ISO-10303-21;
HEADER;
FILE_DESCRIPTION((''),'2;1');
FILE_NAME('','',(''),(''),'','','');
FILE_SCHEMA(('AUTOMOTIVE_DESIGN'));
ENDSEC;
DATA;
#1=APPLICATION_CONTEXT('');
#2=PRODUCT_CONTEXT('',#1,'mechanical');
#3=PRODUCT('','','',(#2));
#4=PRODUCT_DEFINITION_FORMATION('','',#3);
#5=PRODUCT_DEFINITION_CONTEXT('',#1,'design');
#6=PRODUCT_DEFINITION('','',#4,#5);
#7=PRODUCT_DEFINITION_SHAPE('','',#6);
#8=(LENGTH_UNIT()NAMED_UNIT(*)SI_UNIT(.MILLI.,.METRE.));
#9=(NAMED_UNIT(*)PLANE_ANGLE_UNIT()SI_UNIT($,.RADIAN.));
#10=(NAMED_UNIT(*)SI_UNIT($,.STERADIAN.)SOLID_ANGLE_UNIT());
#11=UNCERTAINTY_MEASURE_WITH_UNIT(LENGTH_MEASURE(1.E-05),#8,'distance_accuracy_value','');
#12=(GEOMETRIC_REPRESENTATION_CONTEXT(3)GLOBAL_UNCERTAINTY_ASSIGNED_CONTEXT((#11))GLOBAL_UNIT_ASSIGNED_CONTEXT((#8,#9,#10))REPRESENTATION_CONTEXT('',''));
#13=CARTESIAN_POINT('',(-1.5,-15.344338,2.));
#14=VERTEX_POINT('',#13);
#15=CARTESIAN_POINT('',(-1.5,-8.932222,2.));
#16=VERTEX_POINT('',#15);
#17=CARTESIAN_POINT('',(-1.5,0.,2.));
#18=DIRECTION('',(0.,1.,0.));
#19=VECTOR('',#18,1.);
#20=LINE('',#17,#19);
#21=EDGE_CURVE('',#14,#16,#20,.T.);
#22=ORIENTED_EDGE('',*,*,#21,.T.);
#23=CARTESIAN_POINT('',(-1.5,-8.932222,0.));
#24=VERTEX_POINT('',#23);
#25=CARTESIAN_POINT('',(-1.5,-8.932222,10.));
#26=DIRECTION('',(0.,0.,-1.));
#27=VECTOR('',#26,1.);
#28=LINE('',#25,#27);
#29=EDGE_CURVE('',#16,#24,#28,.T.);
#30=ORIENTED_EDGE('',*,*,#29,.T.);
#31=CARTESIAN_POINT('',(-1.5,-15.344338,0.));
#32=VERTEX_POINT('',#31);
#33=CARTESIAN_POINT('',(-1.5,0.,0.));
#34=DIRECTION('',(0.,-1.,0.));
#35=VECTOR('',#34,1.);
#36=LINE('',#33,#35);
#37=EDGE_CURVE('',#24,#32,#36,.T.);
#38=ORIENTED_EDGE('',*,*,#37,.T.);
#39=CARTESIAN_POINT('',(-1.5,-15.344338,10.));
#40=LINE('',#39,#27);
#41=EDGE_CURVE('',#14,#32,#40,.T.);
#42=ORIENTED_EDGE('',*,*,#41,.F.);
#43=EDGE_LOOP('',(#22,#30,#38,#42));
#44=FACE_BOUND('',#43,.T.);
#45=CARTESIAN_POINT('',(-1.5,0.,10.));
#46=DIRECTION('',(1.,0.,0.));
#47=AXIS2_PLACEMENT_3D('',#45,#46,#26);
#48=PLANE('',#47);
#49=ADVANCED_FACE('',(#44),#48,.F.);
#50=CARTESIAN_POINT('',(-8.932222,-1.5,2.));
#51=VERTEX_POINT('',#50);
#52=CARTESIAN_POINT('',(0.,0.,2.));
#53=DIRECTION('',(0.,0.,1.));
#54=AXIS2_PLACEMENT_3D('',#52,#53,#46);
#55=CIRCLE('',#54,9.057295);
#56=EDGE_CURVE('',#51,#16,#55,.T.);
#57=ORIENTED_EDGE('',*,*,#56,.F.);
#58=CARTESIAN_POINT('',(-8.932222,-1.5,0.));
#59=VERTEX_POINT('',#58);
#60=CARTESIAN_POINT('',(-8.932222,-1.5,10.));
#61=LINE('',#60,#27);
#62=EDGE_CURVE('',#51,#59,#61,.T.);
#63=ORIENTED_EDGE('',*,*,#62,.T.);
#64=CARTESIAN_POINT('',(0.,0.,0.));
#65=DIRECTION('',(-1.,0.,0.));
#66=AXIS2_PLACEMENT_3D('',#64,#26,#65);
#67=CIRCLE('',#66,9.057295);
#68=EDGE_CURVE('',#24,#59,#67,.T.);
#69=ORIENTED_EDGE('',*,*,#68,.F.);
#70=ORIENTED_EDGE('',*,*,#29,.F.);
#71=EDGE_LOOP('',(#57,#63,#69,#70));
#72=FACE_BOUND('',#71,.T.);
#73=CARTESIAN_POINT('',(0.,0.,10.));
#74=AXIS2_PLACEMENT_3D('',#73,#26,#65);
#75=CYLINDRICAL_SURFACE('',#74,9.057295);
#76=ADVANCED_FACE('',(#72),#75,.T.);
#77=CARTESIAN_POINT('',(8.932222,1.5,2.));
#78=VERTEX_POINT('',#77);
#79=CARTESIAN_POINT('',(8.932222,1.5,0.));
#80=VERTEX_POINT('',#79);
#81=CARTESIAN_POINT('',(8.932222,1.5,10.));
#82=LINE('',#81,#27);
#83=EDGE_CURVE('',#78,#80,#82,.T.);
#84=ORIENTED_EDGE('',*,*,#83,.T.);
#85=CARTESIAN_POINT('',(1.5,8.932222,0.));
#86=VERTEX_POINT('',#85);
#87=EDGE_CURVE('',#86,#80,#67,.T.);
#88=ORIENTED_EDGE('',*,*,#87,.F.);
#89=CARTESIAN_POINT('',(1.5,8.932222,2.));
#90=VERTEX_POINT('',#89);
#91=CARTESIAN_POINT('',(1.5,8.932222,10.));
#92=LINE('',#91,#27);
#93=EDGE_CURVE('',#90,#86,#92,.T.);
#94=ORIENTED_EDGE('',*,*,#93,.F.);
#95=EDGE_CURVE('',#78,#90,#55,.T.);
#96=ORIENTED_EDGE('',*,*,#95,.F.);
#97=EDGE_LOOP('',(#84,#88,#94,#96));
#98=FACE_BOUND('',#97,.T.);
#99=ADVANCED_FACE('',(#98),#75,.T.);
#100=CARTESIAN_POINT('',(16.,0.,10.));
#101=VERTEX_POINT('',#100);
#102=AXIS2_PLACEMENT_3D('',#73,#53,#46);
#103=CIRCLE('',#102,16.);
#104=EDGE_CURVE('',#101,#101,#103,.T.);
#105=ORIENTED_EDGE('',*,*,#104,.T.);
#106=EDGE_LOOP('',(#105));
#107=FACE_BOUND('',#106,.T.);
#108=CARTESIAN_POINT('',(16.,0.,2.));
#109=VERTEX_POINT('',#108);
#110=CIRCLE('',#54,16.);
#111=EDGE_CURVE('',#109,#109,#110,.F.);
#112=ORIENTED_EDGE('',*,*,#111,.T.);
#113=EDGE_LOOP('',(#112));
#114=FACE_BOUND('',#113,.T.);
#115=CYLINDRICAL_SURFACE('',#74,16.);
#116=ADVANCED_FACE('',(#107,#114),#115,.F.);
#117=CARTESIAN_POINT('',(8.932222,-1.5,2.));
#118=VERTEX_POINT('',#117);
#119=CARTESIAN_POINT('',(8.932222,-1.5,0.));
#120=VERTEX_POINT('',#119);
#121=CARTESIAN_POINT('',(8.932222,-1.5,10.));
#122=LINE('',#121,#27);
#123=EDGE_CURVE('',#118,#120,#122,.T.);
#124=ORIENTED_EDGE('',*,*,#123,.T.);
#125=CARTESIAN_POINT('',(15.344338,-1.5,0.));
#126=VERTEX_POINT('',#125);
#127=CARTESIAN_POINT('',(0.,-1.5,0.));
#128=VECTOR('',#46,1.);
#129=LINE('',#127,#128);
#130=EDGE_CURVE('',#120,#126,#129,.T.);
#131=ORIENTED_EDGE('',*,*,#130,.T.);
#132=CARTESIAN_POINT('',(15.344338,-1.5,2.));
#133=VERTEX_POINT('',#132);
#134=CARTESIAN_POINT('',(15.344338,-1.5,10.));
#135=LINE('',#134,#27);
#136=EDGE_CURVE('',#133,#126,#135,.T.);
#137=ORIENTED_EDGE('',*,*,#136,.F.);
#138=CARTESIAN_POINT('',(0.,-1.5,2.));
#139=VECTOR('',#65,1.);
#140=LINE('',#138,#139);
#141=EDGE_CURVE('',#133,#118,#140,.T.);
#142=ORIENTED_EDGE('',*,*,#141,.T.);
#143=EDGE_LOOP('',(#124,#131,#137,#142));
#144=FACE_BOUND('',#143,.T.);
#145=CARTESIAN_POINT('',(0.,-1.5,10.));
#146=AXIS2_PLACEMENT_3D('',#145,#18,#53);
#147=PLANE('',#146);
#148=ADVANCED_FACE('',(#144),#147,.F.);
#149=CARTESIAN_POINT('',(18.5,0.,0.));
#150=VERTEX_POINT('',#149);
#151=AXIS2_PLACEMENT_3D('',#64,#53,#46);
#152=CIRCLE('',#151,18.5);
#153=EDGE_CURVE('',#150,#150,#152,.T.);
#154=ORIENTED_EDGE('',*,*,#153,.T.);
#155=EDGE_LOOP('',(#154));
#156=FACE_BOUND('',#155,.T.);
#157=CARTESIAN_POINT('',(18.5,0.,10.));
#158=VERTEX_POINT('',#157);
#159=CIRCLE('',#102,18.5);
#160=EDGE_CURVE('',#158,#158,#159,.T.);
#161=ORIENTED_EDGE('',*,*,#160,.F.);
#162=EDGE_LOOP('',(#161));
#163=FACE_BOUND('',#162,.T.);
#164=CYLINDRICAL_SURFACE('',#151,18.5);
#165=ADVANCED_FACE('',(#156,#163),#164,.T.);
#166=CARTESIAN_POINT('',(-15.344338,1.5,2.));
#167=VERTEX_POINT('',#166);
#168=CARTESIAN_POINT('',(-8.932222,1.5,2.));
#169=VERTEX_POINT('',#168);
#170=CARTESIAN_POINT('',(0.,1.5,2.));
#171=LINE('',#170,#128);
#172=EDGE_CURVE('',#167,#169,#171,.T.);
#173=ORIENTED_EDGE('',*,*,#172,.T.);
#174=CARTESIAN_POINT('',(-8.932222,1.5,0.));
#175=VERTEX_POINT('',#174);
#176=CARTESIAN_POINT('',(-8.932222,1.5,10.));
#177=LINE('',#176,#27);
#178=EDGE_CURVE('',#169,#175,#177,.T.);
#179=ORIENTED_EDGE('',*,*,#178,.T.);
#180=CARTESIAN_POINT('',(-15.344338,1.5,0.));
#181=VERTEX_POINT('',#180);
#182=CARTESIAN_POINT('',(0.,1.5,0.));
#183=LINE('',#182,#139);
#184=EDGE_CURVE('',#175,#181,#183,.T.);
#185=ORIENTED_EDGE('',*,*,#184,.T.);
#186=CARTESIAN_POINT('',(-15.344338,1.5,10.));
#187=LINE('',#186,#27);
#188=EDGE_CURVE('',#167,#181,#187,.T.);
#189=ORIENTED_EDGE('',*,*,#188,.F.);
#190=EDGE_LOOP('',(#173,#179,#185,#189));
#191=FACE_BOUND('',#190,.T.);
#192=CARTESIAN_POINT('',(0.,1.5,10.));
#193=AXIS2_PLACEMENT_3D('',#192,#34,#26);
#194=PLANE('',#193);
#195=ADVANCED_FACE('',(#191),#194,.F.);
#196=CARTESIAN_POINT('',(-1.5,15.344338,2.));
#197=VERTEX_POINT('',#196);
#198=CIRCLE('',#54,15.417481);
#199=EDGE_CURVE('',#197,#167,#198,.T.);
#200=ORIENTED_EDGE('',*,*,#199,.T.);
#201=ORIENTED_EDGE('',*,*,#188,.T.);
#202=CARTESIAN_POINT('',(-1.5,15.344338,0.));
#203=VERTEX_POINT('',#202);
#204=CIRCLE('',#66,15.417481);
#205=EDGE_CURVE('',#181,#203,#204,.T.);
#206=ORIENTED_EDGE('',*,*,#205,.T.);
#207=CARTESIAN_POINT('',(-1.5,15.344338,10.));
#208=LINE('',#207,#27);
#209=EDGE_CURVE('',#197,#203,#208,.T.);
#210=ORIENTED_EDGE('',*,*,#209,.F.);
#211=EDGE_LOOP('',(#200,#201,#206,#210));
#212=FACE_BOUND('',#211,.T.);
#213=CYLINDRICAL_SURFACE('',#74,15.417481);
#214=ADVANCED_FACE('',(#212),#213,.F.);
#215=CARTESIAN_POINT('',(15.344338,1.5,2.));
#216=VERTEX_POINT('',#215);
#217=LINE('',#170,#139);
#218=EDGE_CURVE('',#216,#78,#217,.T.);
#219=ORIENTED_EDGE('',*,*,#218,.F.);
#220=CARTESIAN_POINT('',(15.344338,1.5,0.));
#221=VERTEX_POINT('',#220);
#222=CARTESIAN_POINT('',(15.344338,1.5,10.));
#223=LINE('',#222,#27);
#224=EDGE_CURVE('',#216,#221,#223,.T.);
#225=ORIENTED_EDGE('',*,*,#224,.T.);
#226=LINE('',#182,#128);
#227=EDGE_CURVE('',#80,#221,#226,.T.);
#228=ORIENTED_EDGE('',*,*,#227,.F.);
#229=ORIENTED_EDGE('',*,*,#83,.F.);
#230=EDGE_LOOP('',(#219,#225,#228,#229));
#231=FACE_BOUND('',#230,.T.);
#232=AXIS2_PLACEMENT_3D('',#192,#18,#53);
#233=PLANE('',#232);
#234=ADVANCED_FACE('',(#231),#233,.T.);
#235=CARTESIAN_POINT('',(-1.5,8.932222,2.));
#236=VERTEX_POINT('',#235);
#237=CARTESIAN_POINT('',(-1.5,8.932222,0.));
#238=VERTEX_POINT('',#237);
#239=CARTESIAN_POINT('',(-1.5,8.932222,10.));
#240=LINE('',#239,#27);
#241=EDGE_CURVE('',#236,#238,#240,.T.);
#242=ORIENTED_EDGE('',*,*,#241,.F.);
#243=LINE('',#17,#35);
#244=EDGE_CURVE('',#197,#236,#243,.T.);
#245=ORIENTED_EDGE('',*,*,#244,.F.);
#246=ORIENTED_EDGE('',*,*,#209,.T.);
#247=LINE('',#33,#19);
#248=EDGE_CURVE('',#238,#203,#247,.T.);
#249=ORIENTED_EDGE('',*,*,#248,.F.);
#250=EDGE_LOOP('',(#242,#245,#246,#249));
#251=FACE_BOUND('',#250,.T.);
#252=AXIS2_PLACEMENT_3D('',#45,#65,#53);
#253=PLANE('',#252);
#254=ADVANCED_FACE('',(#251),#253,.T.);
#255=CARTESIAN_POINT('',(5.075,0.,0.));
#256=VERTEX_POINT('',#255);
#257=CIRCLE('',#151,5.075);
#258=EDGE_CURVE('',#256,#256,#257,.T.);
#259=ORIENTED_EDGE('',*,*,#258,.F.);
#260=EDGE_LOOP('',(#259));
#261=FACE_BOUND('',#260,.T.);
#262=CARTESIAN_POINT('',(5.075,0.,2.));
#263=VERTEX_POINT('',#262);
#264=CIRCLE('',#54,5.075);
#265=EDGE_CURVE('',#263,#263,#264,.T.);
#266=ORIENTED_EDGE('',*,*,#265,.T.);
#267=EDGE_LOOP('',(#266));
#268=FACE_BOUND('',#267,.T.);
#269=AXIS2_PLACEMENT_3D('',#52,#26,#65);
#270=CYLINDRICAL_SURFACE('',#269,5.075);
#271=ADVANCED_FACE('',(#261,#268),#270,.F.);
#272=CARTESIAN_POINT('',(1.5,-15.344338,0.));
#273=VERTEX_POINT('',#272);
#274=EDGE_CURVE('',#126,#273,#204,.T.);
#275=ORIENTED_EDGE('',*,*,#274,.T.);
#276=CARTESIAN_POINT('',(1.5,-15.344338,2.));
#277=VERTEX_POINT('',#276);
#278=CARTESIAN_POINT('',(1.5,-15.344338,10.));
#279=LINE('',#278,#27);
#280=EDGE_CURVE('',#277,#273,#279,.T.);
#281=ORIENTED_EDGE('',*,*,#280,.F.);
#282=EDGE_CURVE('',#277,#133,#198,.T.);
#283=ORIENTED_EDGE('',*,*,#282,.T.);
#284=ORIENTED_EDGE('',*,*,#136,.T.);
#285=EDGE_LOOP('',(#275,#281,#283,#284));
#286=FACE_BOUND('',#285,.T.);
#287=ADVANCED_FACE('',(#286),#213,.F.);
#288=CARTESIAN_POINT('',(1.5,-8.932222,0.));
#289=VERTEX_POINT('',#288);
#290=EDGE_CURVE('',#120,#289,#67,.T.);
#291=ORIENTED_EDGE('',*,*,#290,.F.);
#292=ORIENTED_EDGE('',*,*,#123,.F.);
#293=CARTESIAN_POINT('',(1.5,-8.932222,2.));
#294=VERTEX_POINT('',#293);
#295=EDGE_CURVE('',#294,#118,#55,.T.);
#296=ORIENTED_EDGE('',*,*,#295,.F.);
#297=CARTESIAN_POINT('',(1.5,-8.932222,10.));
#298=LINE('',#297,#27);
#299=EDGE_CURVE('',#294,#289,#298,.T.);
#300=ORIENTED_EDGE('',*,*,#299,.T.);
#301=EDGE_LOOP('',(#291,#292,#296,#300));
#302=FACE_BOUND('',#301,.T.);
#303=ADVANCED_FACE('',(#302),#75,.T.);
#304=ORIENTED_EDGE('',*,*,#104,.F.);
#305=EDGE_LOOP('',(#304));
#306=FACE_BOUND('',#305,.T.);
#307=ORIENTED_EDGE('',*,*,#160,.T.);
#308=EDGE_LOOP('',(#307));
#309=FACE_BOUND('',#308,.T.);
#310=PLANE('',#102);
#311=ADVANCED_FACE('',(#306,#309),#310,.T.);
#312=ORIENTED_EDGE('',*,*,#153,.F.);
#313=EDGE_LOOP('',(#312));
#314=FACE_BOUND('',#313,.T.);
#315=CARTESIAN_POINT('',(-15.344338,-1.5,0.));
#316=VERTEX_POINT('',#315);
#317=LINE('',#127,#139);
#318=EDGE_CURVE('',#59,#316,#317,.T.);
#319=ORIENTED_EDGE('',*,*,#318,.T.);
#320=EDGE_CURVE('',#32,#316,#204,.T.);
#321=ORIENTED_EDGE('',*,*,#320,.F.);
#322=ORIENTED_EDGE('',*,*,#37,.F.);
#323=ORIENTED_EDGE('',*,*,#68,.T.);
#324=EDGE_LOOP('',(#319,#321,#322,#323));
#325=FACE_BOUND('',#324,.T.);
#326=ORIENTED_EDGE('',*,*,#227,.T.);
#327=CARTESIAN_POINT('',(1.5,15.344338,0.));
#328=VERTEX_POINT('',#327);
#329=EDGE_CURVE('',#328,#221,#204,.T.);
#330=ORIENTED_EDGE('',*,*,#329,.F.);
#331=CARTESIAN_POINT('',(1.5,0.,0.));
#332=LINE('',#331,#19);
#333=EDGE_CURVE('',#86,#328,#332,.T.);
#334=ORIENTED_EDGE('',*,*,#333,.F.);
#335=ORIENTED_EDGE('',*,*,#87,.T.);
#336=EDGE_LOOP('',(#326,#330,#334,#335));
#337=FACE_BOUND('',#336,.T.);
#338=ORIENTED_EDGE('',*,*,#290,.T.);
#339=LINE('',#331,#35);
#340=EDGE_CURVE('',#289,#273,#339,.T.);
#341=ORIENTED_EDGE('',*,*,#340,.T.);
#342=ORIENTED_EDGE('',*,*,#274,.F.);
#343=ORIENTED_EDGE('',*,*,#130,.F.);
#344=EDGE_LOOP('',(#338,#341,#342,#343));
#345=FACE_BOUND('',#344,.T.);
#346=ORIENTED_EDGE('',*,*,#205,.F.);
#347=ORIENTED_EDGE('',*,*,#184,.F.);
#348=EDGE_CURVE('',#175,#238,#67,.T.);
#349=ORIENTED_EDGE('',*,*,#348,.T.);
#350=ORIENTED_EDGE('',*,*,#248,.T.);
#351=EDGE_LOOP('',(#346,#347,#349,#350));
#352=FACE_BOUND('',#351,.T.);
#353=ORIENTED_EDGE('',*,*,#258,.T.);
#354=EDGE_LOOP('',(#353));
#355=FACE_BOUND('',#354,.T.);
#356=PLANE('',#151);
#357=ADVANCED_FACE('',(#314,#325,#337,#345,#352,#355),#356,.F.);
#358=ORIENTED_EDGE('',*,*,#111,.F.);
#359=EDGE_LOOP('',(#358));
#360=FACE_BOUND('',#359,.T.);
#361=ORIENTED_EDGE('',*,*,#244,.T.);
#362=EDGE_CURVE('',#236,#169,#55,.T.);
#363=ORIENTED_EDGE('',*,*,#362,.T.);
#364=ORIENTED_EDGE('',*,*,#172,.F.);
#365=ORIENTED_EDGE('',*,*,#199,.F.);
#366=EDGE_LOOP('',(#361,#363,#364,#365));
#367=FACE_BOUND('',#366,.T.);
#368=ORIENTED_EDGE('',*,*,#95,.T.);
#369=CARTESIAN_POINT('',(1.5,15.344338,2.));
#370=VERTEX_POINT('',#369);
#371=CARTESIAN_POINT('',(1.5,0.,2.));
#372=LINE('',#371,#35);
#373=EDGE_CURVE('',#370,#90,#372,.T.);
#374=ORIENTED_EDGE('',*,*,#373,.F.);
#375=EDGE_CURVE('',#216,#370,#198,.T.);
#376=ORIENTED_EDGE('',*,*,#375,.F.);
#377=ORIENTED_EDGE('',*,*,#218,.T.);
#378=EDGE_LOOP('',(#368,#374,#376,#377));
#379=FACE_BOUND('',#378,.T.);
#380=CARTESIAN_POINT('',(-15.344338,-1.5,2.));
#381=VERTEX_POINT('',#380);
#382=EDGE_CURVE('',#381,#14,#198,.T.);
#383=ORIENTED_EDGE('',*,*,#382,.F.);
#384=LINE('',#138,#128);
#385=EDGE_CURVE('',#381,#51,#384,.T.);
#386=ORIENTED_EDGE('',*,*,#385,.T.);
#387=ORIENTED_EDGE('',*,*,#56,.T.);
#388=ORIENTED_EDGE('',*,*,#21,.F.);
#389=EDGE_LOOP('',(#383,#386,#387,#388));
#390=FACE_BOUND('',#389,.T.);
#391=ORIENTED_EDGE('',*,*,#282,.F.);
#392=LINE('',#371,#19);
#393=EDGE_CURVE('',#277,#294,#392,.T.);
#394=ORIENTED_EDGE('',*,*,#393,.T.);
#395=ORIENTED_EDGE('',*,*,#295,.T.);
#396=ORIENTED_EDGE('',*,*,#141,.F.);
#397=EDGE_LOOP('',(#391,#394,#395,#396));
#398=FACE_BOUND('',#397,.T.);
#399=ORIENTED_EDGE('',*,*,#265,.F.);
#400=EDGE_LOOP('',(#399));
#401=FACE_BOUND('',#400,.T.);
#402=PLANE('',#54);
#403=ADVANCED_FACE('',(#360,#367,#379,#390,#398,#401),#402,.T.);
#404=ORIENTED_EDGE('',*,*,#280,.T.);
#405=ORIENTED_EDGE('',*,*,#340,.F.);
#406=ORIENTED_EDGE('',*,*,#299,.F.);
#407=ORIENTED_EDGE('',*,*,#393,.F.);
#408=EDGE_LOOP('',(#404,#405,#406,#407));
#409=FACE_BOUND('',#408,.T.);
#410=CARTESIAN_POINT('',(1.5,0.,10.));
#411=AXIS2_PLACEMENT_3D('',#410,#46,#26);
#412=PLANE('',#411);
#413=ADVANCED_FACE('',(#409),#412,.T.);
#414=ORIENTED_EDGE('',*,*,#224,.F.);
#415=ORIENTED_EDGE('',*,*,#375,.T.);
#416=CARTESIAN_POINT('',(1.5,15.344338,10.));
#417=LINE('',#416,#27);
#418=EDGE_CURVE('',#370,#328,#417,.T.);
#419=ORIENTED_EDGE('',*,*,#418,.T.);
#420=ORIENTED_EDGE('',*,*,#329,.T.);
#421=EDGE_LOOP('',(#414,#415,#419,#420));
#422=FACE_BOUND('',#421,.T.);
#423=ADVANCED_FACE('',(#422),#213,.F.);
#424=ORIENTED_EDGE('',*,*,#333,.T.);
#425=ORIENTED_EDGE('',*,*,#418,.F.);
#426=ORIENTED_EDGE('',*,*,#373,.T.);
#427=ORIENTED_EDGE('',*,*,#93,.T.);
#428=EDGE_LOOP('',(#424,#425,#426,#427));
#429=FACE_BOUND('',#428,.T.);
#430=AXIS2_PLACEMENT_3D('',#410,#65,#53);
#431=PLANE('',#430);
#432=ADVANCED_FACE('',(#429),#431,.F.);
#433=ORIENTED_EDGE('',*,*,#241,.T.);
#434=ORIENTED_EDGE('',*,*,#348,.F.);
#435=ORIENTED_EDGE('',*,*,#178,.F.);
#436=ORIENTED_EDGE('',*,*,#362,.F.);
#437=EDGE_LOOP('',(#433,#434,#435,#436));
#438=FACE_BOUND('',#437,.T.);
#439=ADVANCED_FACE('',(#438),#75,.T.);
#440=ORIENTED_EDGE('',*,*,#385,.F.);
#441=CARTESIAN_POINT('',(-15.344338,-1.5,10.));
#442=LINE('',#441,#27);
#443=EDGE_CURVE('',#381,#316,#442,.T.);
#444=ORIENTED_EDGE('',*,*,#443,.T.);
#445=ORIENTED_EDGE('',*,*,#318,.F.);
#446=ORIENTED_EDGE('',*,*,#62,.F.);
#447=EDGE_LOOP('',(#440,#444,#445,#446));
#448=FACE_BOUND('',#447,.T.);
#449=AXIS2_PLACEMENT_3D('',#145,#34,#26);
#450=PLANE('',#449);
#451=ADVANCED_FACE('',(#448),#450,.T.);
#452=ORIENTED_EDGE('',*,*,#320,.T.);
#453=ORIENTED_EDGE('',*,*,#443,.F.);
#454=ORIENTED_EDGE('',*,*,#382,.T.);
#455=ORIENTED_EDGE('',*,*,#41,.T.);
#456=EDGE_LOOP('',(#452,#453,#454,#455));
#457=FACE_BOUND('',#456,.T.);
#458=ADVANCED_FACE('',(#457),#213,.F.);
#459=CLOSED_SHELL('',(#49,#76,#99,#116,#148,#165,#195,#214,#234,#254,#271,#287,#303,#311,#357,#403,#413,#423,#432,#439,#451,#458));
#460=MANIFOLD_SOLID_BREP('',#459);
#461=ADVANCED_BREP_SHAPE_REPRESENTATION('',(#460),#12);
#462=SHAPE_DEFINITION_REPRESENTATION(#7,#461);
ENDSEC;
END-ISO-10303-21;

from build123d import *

# Parameters (mm, degrees)
ESBO_O1_R                = 16
ESBO_O1_R_2              = 5.075
RESSALTO_EXTRUS_O1_DEPTH = 2
ESBO_O2_R                = 18
ESBO_O2_R_2              = 16
RESSALTO_EXTRUS_O2_DEPTH = 10
CORTE_EXTRUS_O1_DEPTH    = 10
RESSALTO_EXTRUS_O3_START = -10
ESBO_O4_R                = 18.5
ESBO_O4_R_2              = 18
RESSALTO_EXTRUS_O3_DEPTH = 10


with BuildPart() as part:
    # Esboço1 → Ressalto-extrusão1 (new body)
    with BuildSketch(Plane.XY):
        Circle(ESBO_O1_R)
        Circle(ESBO_O1_R_2, mode=Mode.SUBTRACT)
    extrude(amount=RESSALTO_EXTRUS_O1_DEPTH)

    # Esboço2 → Ressalto-extrusão2 (add)
    with BuildSketch(Plane.XY):
        Circle(ESBO_O2_R)
        Circle(ESBO_O2_R_2, mode=Mode.SUBTRACT)
    extrude(amount=RESSALTO_EXTRUS_O2_DEPTH)

    # Esboço3 → Corte-extrusão1 (cut)
    with BuildSketch(Plane(origin=(0, 0, 0), x_dir=(-1, 0, 0), z_dir=(0, 0, -1))):
        with BuildLine():
            ThreePointArc((-1.5, -8.932222345), (-6.404474843, -6.404474843), (-8.932222345, -1.5))
            Line((-8.932222345, -1.5), (-15.344338178, -1.5))
            ThreePointArc((-15.344338178, -1.5), (-10.90180522, -10.90180522), (-1.5, -15.344338178))
            Line((-1.5, -15.344338178), (-1.5, -8.932222345))
        make_face()
        with BuildLine():
            ThreePointArc((8.932222345, -1.5), (6.404474843, -6.404474843), (1.5, -8.932222345))
            Line((1.5, -8.932222345), (1.5, -15.344338178))
            ThreePointArc((1.5, -15.344338178), (10.90180522, -10.90180522), (15.344338178, -1.5))
            Line((15.344338178, -1.5), (8.932222345, -1.5))
        make_face()
        with BuildLine():
            ThreePointArc((1.5, 8.932222345), (6.404474843, 6.404474843), (8.932222345, 1.5))
            Line((8.932222345, 1.5), (15.344338178, 1.5))
            ThreePointArc((15.344338178, 1.5), (10.90180522, 10.90180522), (1.5, 15.344338178))
            Line((1.5, 15.344338178), (1.5, 8.932222345))
        make_face()
        with BuildLine():
            ThreePointArc((-8.932222345, 1.5), (-6.404474843, 6.404474843), (-1.5, 8.932222345))
            Line((-1.5, 8.932222345), (-1.5, 15.344338178))
            ThreePointArc((-1.5, 15.344338178), (-10.90180522, 10.90180522), (-15.344338178, 1.5))
            Line((-15.344338178, 1.5), (-8.932222345, 1.5))
        make_face()
    extrude(amount=-CORTE_EXTRUS_O1_DEPTH, mode=Mode.SUBTRACT)

    # Esboço4 → Ressalto-extrusão3 (add)
    with BuildSketch(Plane.XY.offset(10).offset(RESSALTO_EXTRUS_O3_START)):
        Circle(ESBO_O4_R)
        Circle(ESBO_O4_R_2, mode=Mode.SUBTRACT)
    extrude(amount=RESSALTO_EXTRUS_O3_DEPTH)


solid = part.part
